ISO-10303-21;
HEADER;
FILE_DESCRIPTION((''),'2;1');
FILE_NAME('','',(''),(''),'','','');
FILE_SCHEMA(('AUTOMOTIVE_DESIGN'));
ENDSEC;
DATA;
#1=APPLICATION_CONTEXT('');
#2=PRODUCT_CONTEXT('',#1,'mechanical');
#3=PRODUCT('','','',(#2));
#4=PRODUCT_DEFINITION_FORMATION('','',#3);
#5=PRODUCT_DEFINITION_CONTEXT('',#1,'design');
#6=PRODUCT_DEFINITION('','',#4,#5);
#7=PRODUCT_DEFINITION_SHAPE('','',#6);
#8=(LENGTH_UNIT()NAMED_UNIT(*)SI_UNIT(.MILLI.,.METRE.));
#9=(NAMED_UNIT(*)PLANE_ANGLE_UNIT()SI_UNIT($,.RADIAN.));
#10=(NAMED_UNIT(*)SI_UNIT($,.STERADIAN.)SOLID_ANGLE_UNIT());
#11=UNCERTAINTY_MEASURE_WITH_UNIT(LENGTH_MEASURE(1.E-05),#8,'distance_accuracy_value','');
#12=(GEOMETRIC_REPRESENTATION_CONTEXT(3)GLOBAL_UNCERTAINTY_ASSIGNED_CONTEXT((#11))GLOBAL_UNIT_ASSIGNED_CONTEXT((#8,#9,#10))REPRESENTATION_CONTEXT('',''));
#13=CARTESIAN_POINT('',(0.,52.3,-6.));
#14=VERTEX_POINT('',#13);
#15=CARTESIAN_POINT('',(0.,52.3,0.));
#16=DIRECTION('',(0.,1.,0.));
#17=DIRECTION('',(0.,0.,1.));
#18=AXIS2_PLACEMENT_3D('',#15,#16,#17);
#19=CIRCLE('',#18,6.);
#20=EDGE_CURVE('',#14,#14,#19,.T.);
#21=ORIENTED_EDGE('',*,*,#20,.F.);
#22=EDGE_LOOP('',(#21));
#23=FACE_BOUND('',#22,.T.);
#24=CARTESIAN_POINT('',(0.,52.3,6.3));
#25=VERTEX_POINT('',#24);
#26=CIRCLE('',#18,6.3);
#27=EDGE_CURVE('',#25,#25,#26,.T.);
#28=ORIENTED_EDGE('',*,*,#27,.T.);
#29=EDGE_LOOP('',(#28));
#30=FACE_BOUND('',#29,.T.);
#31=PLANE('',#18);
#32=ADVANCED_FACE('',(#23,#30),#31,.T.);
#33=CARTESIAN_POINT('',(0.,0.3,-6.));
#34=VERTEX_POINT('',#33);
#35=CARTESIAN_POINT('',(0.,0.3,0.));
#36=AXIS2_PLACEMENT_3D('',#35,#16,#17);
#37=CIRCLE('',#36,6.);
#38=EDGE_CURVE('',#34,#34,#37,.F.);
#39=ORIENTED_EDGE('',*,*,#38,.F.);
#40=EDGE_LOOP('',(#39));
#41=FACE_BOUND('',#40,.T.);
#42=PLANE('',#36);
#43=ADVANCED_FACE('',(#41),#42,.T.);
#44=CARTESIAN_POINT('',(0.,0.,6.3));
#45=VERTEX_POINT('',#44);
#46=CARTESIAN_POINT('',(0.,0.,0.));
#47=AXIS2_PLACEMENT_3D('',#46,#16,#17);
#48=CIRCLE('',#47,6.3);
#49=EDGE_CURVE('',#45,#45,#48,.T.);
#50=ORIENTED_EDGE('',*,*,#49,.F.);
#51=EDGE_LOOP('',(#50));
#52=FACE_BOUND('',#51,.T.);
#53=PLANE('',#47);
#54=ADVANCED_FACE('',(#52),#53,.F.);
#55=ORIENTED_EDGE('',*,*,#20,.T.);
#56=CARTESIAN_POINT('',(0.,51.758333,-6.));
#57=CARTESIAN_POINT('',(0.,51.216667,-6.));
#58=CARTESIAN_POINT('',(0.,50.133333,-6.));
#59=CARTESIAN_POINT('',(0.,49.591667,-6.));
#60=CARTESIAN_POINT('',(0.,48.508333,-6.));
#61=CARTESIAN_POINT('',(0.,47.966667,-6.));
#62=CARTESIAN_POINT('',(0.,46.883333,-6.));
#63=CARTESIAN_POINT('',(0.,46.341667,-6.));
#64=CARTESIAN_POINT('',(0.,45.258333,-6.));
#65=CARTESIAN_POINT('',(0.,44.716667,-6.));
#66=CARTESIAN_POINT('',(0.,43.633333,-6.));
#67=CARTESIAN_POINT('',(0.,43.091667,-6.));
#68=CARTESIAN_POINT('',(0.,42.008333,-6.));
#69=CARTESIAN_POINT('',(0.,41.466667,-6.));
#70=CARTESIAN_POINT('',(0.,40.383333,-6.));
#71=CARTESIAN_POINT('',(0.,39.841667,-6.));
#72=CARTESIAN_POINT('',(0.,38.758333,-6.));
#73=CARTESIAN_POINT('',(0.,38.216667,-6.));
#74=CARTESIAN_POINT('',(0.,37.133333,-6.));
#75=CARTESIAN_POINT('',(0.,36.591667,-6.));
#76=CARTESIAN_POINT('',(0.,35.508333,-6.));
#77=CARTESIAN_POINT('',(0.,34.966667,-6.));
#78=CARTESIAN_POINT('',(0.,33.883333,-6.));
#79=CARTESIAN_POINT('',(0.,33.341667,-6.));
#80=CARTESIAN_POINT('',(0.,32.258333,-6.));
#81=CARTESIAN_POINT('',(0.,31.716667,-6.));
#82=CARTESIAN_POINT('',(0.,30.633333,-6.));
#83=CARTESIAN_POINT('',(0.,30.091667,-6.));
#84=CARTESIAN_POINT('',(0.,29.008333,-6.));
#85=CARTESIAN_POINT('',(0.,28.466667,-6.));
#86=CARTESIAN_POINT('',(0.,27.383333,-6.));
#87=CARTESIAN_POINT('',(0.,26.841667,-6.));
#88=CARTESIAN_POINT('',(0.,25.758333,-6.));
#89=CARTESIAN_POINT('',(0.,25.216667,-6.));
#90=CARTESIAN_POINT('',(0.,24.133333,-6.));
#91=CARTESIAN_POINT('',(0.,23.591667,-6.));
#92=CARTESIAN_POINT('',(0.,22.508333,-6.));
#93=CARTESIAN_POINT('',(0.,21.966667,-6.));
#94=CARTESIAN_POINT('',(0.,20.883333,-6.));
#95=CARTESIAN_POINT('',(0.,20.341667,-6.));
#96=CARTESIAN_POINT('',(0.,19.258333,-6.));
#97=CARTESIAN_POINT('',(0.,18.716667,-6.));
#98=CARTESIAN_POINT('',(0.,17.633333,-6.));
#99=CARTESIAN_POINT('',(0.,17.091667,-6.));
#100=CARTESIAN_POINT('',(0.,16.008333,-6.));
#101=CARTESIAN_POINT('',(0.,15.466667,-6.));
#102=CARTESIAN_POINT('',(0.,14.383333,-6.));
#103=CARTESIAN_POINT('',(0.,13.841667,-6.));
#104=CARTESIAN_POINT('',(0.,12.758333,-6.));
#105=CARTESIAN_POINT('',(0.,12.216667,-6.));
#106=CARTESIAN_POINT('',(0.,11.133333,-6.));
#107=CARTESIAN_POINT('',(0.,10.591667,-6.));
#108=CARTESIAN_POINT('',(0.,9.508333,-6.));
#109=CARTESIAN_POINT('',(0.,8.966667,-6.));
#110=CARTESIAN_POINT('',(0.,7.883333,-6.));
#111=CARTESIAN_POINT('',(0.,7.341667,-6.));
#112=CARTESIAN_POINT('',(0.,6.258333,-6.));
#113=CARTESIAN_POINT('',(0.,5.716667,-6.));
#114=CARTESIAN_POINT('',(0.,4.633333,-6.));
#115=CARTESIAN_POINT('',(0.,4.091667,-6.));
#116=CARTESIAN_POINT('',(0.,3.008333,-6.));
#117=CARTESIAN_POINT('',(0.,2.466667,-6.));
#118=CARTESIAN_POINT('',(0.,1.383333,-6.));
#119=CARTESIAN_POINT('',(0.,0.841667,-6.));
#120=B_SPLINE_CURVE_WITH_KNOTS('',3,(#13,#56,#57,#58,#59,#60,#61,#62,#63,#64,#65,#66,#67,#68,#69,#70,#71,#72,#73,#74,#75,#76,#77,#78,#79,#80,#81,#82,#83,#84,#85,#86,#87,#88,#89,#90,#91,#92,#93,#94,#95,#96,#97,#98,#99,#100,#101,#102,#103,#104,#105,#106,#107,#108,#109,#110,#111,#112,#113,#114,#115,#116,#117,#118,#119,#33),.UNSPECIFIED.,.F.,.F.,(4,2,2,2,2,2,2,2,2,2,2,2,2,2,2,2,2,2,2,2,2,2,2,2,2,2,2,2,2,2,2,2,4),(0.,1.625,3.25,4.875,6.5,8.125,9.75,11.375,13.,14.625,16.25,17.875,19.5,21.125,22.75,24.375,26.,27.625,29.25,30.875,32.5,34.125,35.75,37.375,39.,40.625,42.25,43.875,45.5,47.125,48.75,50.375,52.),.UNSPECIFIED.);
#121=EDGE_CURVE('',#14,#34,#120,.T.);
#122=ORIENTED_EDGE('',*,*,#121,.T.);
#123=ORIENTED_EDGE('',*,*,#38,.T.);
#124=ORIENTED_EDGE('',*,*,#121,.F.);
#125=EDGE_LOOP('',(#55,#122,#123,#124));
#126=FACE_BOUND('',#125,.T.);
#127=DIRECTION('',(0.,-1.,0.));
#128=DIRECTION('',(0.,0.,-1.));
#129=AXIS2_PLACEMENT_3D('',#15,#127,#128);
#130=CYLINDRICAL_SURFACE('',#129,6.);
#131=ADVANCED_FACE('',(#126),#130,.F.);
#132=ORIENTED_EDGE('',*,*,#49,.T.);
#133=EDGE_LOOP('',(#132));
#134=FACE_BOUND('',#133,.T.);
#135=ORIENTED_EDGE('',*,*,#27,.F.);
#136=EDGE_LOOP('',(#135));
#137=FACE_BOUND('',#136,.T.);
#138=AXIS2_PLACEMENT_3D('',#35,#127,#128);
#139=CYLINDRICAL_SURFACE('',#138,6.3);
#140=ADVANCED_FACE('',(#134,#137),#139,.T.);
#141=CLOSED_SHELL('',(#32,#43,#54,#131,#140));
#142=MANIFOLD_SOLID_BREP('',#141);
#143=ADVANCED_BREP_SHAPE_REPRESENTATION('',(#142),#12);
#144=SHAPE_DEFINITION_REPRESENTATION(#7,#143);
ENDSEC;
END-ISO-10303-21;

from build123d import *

# Parameters (mm, degrees)
SKETCH1_R           = 6.3
BOSS_EXTRUDE1_DEPTH = 0.3
SKETCH2_R           = 6.3
SKETCH2_R_2         = 6
BOSS_EXTRUDE2_DEPTH = 52


with BuildPart() as part:
    # Sketch1 → Boss-Extrude1 (new body)
    with BuildSketch(Plane(origin=(0, 0, 0), x_dir=(1, 0, 0), z_dir=(0, 1, 0))):
        with Locations(Location((0, 0, 0), (0, 0, 270))):
            Circle(SKETCH1_R)
    extrude(amount=BOSS_EXTRUDE1_DEPTH)

    # Sketch2 → Boss-Extrude2 (add)
    with BuildSketch(Plane(origin=(0, 0.3, 0), x_dir=(1, 0, 0), z_dir=(0, 1, 0))):
        with Locations(Location((0, 0, 0), (0, 0, 270))):
            Circle(SKETCH2_R)
        with Locations(Location((0, 0, 0), (0, 0, 90))):
            Circle(SKETCH2_R_2, mode=Mode.SUBTRACT)
    extrude(amount=BOSS_EXTRUDE2_DEPTH)


solid = part.part
